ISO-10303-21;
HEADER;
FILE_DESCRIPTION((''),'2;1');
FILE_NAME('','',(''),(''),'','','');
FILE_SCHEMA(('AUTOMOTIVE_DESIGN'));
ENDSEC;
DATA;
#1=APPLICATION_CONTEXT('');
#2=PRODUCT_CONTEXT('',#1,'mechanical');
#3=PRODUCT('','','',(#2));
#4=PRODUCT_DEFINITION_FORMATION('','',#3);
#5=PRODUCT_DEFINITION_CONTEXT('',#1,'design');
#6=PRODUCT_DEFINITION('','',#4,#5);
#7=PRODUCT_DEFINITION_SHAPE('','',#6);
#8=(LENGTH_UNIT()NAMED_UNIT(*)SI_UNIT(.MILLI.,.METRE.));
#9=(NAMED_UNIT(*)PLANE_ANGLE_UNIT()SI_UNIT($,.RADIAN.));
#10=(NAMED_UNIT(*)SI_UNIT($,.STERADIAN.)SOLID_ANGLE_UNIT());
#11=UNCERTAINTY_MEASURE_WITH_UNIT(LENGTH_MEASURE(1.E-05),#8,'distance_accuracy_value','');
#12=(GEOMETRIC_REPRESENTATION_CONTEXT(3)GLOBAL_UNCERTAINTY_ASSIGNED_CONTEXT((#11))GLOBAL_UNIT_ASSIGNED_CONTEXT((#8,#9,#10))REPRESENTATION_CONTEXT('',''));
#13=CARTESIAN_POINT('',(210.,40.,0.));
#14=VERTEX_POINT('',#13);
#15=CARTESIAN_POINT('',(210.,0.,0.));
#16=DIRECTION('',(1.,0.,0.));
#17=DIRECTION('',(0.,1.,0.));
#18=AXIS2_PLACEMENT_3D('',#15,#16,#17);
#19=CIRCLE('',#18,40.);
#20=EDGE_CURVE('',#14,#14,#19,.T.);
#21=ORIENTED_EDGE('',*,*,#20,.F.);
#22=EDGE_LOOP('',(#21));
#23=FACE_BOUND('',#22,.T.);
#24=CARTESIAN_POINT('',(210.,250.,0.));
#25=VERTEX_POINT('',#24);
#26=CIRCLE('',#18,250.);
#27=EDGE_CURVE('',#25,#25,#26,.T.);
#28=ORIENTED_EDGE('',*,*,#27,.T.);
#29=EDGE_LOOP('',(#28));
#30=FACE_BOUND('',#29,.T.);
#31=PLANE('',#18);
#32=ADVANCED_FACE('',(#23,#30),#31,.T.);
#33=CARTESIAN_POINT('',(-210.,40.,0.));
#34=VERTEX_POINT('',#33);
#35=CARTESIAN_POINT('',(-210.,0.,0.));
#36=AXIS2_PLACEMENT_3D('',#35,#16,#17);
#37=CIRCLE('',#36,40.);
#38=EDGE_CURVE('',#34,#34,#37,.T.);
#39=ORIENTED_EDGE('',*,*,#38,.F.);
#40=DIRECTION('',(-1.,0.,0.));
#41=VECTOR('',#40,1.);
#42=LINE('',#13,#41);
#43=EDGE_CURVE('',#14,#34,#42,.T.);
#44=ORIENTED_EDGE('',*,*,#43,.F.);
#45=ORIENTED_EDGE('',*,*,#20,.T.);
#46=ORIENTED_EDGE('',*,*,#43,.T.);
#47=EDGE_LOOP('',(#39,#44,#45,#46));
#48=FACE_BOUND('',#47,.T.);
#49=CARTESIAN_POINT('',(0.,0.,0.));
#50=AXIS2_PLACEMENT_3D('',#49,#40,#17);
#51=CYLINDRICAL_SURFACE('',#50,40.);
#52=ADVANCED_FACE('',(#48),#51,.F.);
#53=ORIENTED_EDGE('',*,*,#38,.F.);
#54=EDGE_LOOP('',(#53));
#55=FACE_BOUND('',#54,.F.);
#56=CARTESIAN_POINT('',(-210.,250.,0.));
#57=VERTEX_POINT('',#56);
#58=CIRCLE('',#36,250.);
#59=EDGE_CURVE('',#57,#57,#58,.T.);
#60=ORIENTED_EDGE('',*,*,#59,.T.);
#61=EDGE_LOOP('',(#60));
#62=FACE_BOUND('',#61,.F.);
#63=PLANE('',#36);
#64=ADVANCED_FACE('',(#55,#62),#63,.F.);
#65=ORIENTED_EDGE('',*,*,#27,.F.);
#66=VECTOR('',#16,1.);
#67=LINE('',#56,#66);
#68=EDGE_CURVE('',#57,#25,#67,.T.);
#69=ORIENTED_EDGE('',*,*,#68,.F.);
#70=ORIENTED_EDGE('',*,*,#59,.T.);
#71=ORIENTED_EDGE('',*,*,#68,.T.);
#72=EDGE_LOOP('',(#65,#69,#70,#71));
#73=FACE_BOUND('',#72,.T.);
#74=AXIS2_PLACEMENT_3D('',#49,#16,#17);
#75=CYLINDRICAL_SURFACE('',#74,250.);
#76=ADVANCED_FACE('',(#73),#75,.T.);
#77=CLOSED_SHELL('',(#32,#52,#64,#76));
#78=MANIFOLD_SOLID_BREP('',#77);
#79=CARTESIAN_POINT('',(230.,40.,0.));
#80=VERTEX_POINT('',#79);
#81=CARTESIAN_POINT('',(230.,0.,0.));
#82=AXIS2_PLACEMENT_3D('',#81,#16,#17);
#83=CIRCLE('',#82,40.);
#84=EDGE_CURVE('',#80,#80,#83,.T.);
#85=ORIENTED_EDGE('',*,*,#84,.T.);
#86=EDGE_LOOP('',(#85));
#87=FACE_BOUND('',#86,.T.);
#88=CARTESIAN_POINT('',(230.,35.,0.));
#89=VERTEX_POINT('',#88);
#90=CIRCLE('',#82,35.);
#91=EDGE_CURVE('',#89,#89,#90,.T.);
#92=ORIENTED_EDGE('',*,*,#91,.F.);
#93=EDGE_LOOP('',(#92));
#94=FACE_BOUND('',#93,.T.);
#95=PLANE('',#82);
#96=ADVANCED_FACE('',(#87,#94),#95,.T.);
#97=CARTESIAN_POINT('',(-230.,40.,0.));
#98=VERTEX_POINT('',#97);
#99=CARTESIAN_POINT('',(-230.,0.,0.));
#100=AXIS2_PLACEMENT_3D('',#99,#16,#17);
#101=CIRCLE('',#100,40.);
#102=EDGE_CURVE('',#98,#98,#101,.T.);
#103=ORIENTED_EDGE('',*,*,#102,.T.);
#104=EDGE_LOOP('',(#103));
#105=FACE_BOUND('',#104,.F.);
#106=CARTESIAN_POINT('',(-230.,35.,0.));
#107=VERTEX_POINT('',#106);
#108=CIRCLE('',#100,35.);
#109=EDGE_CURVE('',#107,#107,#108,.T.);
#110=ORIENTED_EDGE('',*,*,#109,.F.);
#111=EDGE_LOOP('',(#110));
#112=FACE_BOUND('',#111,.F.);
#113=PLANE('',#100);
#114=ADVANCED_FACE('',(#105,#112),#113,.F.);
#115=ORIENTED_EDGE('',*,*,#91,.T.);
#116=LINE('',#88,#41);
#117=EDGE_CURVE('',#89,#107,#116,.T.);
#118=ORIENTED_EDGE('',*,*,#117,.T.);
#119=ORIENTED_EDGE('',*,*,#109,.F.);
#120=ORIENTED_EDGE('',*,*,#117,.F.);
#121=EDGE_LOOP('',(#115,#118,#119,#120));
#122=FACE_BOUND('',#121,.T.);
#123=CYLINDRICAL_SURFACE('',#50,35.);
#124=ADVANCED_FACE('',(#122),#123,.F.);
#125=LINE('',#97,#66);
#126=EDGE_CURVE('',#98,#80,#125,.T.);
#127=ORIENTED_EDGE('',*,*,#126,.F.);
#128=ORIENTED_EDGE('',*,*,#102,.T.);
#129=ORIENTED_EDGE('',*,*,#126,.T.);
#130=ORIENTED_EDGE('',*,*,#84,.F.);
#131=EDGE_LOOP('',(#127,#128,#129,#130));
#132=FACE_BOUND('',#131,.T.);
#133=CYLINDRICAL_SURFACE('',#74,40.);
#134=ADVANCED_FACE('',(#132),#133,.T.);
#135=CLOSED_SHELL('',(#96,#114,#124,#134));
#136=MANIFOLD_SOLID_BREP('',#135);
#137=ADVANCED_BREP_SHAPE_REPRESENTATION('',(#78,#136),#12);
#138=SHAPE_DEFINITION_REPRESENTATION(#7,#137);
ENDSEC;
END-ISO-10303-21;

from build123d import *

# Parameters (mm, degrees)
F0_R     = 40
F0_R_2   = 35
F1_DEPTH = 230
F2_R     = 250
F2_R_2   = 40
F3_DEPTH = 210


with BuildPart() as f1:
    # F0 (on Right) → F1 (new body, symmetric)
    with BuildSketch(Plane.YZ):
        Circle(F0_R)
        Circle(F0_R_2, mode=Mode.SUBTRACT)
    extrude(amount=F1_DEPTH, both=True)


with BuildPart() as f3:
    # F2 (on Right) → F3 (new body, symmetric)
    with BuildSketch(Plane.YZ):
        Circle(F2_R)
        Circle(F2_R_2, mode=Mode.SUBTRACT)
    extrude(amount=F3_DEPTH, both=True)


solid = Compound([f1.part, f3.part])
